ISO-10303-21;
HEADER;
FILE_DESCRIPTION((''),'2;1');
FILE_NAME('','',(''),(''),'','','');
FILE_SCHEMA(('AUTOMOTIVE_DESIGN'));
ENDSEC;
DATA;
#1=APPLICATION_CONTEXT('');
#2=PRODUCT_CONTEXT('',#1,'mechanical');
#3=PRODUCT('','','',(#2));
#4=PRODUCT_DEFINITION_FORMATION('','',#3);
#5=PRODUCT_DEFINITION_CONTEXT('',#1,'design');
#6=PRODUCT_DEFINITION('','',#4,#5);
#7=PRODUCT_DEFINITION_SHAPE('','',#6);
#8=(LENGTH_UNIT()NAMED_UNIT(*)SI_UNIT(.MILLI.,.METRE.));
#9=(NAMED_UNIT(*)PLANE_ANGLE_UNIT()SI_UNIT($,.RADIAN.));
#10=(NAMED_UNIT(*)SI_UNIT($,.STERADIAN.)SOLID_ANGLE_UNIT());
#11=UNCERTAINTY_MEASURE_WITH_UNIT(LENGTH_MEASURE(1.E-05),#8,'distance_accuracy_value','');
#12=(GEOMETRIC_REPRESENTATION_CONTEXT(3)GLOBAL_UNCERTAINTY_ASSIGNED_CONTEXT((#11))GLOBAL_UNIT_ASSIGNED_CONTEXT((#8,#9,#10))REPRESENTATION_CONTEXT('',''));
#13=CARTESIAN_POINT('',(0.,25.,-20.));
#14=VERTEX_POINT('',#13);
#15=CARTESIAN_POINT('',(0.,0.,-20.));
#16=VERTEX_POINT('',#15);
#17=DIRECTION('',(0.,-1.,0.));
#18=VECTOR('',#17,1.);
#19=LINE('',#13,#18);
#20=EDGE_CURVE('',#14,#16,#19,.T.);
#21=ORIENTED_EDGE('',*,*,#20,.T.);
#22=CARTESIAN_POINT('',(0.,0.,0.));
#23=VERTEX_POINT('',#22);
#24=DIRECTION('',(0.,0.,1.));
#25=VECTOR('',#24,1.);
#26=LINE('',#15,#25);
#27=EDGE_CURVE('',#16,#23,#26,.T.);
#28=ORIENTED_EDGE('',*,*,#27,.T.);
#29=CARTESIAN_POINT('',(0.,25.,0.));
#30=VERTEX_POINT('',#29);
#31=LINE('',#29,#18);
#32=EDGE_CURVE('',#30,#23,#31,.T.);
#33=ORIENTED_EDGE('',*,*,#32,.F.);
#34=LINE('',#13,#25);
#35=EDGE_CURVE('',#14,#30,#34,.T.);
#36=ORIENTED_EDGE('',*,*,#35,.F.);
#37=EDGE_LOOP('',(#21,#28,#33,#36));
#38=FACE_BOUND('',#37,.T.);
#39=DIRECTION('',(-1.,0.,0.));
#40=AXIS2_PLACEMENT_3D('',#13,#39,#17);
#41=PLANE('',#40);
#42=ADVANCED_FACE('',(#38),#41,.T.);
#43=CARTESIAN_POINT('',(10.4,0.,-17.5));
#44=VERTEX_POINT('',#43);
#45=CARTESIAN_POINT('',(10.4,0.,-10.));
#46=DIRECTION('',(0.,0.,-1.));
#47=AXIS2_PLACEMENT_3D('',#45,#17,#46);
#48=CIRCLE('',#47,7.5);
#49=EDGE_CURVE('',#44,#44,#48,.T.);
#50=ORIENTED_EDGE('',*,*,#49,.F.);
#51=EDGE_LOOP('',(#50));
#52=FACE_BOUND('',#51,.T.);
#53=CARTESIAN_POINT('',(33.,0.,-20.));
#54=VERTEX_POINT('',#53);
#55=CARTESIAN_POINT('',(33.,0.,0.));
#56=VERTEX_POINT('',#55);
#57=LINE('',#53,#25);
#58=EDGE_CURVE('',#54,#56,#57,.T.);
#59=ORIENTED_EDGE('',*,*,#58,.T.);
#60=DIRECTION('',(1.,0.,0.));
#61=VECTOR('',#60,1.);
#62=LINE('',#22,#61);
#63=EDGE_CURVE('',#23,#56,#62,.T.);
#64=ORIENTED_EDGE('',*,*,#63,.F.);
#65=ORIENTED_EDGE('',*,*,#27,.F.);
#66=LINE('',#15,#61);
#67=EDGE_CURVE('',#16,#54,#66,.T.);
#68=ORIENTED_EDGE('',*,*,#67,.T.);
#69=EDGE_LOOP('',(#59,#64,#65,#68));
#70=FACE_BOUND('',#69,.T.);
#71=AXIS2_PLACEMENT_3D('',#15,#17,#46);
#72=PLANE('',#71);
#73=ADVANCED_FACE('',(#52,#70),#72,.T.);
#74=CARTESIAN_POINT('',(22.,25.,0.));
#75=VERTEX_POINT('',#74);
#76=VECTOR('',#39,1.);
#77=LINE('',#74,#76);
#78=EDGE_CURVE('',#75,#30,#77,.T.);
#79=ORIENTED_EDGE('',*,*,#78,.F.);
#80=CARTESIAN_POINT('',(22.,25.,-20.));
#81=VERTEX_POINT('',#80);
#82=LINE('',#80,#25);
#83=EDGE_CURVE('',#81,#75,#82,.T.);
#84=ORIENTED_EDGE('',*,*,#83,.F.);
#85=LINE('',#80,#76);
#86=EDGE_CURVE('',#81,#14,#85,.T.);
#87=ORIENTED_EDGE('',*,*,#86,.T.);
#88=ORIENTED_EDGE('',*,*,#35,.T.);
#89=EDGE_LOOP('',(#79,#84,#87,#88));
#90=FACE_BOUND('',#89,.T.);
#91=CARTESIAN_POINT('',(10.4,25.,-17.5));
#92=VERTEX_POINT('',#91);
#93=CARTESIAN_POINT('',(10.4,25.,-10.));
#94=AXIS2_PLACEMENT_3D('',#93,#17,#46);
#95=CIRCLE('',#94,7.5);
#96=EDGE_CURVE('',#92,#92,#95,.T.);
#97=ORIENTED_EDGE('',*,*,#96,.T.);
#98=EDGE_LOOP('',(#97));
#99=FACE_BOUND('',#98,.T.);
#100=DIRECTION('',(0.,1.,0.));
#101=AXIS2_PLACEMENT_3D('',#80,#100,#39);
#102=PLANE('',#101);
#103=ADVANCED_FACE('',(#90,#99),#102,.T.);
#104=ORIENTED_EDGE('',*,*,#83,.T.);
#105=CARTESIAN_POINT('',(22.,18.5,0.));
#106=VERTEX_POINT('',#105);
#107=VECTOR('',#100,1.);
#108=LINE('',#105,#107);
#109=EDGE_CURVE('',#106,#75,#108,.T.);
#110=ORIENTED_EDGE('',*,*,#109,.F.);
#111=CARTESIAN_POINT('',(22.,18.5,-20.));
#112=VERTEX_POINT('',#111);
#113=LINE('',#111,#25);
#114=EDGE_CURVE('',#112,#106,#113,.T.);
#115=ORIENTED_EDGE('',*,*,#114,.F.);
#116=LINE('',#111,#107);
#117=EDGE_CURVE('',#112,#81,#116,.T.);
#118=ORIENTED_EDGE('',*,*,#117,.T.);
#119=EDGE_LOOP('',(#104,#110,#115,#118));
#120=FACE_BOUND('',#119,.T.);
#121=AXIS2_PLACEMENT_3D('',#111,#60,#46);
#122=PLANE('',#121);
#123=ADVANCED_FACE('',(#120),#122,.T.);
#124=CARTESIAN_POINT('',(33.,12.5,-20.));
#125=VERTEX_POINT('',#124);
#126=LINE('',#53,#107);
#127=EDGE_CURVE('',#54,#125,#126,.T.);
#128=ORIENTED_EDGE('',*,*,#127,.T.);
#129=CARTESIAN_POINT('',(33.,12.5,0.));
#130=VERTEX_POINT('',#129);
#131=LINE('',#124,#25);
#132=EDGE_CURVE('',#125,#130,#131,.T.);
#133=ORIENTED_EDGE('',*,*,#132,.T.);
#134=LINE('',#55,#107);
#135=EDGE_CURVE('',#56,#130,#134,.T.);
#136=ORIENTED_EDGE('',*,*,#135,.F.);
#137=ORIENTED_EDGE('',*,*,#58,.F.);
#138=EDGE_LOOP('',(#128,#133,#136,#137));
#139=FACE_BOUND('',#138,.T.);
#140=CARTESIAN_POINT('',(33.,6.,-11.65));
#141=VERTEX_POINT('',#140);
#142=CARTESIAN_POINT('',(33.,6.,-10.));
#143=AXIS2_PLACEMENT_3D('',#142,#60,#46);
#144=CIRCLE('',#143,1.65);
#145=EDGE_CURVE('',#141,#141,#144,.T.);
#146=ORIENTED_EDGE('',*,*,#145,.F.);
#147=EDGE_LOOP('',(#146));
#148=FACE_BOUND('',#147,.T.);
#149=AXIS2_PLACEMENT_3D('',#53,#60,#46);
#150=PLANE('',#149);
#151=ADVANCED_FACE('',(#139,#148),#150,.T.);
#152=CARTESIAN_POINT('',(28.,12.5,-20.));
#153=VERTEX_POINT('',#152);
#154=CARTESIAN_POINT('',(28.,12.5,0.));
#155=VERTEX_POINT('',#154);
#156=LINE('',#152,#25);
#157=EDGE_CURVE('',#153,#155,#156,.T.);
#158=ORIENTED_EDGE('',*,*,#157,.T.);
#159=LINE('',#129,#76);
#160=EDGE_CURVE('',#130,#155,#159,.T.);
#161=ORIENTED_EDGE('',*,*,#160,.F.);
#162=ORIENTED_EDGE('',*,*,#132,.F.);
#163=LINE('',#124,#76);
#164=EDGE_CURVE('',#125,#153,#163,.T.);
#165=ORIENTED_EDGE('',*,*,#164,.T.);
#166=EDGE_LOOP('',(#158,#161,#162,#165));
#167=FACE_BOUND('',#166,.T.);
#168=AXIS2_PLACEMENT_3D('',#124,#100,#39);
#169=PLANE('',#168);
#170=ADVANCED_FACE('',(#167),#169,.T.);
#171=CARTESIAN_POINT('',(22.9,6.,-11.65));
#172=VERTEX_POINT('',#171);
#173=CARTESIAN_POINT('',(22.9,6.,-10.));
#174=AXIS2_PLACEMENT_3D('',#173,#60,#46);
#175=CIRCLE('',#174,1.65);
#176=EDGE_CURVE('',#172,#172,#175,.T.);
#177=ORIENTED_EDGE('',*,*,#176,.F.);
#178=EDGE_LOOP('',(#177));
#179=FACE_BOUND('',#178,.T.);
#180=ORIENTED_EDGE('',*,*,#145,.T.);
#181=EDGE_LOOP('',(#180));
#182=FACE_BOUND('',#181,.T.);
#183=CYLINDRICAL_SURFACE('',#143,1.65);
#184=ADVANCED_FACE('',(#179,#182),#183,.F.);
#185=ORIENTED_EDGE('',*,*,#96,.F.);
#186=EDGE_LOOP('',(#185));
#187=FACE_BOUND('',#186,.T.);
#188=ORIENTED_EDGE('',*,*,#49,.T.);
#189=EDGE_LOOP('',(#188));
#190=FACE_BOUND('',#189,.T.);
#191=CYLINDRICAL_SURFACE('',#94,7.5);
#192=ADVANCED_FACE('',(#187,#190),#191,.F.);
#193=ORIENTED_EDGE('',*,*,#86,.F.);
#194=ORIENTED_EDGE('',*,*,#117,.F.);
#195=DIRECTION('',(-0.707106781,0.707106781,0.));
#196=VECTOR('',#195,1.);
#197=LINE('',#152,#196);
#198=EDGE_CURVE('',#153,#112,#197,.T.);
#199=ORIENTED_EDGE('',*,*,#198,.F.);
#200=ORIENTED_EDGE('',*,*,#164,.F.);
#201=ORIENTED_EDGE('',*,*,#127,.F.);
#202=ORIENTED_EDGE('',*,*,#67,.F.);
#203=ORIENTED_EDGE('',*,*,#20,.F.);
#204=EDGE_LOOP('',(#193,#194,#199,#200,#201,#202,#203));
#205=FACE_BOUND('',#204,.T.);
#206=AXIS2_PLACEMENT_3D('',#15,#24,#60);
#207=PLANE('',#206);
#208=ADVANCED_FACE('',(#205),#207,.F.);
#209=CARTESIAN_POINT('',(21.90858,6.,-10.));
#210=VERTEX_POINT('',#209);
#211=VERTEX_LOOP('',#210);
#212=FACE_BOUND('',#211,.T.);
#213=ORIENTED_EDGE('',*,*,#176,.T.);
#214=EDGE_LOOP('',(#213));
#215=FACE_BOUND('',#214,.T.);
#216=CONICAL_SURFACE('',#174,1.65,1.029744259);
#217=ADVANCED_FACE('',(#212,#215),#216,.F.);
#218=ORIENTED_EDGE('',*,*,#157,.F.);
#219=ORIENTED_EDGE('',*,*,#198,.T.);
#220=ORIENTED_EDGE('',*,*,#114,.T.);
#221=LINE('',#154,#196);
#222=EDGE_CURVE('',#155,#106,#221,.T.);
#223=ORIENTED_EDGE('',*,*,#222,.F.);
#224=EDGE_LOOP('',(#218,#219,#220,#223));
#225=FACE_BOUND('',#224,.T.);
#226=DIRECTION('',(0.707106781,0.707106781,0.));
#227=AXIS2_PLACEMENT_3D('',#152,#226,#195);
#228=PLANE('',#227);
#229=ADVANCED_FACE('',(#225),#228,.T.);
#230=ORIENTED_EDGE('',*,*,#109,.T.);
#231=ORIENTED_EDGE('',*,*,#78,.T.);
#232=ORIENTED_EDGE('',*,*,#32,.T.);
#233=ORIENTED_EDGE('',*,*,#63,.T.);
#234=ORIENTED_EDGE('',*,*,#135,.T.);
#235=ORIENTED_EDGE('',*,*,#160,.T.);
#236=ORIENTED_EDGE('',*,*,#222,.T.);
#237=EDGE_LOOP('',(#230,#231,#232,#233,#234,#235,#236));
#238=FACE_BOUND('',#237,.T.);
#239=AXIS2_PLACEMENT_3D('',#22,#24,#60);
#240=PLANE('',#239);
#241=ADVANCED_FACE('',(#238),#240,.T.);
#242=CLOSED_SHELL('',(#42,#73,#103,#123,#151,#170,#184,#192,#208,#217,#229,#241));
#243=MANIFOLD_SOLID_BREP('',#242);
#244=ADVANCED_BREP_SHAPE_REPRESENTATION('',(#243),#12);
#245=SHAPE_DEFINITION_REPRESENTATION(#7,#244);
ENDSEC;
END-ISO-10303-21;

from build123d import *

# Parameters (mm, degrees)
ESTRUSIONE_ESTRUSIONE1_DEPTH = 20
SCHIZZO2_R                   = 7.5
TAGLIO_ESTRUSIONE1_DEPTH     = 46.97825573
FORO_FILETTATO_M4_1_D        = 3.3
FORO_FILETTATO_M4_1_DEPTH    = 10.1
FORO_FILETTATO_M4_1_TIP      = 0.991420021


with BuildPart() as part:
    # Schizzo1 → Estrusione-Estrusione1 (new body)
    with BuildSketch(Plane.XY):
        Polygon((0, 0), (33, 0), (33, 12.5), (28, 12.5), (22, 18.5), (22, 25), (0, 25), align=None)
    extrude(amount=-ESTRUSIONE_ESTRUSIONE1_DEPTH)

    # Schizzo2 → Taglio-Estrusione1 (cut, through all)
    with BuildSketch(Plane.XZ):
        with Locations((10.4, -10)):
            Circle(SCHIZZO2_R)
    extrude(amount=-TAGLIO_ESTRUSIONE1_DEPTH, mode=Mode.SUBTRACT)

    # Foro filettato M4-1
    with Locations(Plane(origin=(33, 0, 0), x_dir=(0, 0, -1), z_dir=(1, 0, 0))):
        with Locations((10, 6)):
            Hole(FORO_FILETTATO_M4_1_D / 2, depth=FORO_FILETTATO_M4_1_DEPTH)
            with Locations((0, 0, -(FORO_FILETTATO_M4_1_DEPTH + FORO_FILETTATO_M4_1_TIP / 2))):  # 118° drill point
                Cone(0, FORO_FILETTATO_M4_1_D / 2, FORO_FILETTATO_M4_1_TIP, mode=Mode.SUBTRACT)


solid = part.part
